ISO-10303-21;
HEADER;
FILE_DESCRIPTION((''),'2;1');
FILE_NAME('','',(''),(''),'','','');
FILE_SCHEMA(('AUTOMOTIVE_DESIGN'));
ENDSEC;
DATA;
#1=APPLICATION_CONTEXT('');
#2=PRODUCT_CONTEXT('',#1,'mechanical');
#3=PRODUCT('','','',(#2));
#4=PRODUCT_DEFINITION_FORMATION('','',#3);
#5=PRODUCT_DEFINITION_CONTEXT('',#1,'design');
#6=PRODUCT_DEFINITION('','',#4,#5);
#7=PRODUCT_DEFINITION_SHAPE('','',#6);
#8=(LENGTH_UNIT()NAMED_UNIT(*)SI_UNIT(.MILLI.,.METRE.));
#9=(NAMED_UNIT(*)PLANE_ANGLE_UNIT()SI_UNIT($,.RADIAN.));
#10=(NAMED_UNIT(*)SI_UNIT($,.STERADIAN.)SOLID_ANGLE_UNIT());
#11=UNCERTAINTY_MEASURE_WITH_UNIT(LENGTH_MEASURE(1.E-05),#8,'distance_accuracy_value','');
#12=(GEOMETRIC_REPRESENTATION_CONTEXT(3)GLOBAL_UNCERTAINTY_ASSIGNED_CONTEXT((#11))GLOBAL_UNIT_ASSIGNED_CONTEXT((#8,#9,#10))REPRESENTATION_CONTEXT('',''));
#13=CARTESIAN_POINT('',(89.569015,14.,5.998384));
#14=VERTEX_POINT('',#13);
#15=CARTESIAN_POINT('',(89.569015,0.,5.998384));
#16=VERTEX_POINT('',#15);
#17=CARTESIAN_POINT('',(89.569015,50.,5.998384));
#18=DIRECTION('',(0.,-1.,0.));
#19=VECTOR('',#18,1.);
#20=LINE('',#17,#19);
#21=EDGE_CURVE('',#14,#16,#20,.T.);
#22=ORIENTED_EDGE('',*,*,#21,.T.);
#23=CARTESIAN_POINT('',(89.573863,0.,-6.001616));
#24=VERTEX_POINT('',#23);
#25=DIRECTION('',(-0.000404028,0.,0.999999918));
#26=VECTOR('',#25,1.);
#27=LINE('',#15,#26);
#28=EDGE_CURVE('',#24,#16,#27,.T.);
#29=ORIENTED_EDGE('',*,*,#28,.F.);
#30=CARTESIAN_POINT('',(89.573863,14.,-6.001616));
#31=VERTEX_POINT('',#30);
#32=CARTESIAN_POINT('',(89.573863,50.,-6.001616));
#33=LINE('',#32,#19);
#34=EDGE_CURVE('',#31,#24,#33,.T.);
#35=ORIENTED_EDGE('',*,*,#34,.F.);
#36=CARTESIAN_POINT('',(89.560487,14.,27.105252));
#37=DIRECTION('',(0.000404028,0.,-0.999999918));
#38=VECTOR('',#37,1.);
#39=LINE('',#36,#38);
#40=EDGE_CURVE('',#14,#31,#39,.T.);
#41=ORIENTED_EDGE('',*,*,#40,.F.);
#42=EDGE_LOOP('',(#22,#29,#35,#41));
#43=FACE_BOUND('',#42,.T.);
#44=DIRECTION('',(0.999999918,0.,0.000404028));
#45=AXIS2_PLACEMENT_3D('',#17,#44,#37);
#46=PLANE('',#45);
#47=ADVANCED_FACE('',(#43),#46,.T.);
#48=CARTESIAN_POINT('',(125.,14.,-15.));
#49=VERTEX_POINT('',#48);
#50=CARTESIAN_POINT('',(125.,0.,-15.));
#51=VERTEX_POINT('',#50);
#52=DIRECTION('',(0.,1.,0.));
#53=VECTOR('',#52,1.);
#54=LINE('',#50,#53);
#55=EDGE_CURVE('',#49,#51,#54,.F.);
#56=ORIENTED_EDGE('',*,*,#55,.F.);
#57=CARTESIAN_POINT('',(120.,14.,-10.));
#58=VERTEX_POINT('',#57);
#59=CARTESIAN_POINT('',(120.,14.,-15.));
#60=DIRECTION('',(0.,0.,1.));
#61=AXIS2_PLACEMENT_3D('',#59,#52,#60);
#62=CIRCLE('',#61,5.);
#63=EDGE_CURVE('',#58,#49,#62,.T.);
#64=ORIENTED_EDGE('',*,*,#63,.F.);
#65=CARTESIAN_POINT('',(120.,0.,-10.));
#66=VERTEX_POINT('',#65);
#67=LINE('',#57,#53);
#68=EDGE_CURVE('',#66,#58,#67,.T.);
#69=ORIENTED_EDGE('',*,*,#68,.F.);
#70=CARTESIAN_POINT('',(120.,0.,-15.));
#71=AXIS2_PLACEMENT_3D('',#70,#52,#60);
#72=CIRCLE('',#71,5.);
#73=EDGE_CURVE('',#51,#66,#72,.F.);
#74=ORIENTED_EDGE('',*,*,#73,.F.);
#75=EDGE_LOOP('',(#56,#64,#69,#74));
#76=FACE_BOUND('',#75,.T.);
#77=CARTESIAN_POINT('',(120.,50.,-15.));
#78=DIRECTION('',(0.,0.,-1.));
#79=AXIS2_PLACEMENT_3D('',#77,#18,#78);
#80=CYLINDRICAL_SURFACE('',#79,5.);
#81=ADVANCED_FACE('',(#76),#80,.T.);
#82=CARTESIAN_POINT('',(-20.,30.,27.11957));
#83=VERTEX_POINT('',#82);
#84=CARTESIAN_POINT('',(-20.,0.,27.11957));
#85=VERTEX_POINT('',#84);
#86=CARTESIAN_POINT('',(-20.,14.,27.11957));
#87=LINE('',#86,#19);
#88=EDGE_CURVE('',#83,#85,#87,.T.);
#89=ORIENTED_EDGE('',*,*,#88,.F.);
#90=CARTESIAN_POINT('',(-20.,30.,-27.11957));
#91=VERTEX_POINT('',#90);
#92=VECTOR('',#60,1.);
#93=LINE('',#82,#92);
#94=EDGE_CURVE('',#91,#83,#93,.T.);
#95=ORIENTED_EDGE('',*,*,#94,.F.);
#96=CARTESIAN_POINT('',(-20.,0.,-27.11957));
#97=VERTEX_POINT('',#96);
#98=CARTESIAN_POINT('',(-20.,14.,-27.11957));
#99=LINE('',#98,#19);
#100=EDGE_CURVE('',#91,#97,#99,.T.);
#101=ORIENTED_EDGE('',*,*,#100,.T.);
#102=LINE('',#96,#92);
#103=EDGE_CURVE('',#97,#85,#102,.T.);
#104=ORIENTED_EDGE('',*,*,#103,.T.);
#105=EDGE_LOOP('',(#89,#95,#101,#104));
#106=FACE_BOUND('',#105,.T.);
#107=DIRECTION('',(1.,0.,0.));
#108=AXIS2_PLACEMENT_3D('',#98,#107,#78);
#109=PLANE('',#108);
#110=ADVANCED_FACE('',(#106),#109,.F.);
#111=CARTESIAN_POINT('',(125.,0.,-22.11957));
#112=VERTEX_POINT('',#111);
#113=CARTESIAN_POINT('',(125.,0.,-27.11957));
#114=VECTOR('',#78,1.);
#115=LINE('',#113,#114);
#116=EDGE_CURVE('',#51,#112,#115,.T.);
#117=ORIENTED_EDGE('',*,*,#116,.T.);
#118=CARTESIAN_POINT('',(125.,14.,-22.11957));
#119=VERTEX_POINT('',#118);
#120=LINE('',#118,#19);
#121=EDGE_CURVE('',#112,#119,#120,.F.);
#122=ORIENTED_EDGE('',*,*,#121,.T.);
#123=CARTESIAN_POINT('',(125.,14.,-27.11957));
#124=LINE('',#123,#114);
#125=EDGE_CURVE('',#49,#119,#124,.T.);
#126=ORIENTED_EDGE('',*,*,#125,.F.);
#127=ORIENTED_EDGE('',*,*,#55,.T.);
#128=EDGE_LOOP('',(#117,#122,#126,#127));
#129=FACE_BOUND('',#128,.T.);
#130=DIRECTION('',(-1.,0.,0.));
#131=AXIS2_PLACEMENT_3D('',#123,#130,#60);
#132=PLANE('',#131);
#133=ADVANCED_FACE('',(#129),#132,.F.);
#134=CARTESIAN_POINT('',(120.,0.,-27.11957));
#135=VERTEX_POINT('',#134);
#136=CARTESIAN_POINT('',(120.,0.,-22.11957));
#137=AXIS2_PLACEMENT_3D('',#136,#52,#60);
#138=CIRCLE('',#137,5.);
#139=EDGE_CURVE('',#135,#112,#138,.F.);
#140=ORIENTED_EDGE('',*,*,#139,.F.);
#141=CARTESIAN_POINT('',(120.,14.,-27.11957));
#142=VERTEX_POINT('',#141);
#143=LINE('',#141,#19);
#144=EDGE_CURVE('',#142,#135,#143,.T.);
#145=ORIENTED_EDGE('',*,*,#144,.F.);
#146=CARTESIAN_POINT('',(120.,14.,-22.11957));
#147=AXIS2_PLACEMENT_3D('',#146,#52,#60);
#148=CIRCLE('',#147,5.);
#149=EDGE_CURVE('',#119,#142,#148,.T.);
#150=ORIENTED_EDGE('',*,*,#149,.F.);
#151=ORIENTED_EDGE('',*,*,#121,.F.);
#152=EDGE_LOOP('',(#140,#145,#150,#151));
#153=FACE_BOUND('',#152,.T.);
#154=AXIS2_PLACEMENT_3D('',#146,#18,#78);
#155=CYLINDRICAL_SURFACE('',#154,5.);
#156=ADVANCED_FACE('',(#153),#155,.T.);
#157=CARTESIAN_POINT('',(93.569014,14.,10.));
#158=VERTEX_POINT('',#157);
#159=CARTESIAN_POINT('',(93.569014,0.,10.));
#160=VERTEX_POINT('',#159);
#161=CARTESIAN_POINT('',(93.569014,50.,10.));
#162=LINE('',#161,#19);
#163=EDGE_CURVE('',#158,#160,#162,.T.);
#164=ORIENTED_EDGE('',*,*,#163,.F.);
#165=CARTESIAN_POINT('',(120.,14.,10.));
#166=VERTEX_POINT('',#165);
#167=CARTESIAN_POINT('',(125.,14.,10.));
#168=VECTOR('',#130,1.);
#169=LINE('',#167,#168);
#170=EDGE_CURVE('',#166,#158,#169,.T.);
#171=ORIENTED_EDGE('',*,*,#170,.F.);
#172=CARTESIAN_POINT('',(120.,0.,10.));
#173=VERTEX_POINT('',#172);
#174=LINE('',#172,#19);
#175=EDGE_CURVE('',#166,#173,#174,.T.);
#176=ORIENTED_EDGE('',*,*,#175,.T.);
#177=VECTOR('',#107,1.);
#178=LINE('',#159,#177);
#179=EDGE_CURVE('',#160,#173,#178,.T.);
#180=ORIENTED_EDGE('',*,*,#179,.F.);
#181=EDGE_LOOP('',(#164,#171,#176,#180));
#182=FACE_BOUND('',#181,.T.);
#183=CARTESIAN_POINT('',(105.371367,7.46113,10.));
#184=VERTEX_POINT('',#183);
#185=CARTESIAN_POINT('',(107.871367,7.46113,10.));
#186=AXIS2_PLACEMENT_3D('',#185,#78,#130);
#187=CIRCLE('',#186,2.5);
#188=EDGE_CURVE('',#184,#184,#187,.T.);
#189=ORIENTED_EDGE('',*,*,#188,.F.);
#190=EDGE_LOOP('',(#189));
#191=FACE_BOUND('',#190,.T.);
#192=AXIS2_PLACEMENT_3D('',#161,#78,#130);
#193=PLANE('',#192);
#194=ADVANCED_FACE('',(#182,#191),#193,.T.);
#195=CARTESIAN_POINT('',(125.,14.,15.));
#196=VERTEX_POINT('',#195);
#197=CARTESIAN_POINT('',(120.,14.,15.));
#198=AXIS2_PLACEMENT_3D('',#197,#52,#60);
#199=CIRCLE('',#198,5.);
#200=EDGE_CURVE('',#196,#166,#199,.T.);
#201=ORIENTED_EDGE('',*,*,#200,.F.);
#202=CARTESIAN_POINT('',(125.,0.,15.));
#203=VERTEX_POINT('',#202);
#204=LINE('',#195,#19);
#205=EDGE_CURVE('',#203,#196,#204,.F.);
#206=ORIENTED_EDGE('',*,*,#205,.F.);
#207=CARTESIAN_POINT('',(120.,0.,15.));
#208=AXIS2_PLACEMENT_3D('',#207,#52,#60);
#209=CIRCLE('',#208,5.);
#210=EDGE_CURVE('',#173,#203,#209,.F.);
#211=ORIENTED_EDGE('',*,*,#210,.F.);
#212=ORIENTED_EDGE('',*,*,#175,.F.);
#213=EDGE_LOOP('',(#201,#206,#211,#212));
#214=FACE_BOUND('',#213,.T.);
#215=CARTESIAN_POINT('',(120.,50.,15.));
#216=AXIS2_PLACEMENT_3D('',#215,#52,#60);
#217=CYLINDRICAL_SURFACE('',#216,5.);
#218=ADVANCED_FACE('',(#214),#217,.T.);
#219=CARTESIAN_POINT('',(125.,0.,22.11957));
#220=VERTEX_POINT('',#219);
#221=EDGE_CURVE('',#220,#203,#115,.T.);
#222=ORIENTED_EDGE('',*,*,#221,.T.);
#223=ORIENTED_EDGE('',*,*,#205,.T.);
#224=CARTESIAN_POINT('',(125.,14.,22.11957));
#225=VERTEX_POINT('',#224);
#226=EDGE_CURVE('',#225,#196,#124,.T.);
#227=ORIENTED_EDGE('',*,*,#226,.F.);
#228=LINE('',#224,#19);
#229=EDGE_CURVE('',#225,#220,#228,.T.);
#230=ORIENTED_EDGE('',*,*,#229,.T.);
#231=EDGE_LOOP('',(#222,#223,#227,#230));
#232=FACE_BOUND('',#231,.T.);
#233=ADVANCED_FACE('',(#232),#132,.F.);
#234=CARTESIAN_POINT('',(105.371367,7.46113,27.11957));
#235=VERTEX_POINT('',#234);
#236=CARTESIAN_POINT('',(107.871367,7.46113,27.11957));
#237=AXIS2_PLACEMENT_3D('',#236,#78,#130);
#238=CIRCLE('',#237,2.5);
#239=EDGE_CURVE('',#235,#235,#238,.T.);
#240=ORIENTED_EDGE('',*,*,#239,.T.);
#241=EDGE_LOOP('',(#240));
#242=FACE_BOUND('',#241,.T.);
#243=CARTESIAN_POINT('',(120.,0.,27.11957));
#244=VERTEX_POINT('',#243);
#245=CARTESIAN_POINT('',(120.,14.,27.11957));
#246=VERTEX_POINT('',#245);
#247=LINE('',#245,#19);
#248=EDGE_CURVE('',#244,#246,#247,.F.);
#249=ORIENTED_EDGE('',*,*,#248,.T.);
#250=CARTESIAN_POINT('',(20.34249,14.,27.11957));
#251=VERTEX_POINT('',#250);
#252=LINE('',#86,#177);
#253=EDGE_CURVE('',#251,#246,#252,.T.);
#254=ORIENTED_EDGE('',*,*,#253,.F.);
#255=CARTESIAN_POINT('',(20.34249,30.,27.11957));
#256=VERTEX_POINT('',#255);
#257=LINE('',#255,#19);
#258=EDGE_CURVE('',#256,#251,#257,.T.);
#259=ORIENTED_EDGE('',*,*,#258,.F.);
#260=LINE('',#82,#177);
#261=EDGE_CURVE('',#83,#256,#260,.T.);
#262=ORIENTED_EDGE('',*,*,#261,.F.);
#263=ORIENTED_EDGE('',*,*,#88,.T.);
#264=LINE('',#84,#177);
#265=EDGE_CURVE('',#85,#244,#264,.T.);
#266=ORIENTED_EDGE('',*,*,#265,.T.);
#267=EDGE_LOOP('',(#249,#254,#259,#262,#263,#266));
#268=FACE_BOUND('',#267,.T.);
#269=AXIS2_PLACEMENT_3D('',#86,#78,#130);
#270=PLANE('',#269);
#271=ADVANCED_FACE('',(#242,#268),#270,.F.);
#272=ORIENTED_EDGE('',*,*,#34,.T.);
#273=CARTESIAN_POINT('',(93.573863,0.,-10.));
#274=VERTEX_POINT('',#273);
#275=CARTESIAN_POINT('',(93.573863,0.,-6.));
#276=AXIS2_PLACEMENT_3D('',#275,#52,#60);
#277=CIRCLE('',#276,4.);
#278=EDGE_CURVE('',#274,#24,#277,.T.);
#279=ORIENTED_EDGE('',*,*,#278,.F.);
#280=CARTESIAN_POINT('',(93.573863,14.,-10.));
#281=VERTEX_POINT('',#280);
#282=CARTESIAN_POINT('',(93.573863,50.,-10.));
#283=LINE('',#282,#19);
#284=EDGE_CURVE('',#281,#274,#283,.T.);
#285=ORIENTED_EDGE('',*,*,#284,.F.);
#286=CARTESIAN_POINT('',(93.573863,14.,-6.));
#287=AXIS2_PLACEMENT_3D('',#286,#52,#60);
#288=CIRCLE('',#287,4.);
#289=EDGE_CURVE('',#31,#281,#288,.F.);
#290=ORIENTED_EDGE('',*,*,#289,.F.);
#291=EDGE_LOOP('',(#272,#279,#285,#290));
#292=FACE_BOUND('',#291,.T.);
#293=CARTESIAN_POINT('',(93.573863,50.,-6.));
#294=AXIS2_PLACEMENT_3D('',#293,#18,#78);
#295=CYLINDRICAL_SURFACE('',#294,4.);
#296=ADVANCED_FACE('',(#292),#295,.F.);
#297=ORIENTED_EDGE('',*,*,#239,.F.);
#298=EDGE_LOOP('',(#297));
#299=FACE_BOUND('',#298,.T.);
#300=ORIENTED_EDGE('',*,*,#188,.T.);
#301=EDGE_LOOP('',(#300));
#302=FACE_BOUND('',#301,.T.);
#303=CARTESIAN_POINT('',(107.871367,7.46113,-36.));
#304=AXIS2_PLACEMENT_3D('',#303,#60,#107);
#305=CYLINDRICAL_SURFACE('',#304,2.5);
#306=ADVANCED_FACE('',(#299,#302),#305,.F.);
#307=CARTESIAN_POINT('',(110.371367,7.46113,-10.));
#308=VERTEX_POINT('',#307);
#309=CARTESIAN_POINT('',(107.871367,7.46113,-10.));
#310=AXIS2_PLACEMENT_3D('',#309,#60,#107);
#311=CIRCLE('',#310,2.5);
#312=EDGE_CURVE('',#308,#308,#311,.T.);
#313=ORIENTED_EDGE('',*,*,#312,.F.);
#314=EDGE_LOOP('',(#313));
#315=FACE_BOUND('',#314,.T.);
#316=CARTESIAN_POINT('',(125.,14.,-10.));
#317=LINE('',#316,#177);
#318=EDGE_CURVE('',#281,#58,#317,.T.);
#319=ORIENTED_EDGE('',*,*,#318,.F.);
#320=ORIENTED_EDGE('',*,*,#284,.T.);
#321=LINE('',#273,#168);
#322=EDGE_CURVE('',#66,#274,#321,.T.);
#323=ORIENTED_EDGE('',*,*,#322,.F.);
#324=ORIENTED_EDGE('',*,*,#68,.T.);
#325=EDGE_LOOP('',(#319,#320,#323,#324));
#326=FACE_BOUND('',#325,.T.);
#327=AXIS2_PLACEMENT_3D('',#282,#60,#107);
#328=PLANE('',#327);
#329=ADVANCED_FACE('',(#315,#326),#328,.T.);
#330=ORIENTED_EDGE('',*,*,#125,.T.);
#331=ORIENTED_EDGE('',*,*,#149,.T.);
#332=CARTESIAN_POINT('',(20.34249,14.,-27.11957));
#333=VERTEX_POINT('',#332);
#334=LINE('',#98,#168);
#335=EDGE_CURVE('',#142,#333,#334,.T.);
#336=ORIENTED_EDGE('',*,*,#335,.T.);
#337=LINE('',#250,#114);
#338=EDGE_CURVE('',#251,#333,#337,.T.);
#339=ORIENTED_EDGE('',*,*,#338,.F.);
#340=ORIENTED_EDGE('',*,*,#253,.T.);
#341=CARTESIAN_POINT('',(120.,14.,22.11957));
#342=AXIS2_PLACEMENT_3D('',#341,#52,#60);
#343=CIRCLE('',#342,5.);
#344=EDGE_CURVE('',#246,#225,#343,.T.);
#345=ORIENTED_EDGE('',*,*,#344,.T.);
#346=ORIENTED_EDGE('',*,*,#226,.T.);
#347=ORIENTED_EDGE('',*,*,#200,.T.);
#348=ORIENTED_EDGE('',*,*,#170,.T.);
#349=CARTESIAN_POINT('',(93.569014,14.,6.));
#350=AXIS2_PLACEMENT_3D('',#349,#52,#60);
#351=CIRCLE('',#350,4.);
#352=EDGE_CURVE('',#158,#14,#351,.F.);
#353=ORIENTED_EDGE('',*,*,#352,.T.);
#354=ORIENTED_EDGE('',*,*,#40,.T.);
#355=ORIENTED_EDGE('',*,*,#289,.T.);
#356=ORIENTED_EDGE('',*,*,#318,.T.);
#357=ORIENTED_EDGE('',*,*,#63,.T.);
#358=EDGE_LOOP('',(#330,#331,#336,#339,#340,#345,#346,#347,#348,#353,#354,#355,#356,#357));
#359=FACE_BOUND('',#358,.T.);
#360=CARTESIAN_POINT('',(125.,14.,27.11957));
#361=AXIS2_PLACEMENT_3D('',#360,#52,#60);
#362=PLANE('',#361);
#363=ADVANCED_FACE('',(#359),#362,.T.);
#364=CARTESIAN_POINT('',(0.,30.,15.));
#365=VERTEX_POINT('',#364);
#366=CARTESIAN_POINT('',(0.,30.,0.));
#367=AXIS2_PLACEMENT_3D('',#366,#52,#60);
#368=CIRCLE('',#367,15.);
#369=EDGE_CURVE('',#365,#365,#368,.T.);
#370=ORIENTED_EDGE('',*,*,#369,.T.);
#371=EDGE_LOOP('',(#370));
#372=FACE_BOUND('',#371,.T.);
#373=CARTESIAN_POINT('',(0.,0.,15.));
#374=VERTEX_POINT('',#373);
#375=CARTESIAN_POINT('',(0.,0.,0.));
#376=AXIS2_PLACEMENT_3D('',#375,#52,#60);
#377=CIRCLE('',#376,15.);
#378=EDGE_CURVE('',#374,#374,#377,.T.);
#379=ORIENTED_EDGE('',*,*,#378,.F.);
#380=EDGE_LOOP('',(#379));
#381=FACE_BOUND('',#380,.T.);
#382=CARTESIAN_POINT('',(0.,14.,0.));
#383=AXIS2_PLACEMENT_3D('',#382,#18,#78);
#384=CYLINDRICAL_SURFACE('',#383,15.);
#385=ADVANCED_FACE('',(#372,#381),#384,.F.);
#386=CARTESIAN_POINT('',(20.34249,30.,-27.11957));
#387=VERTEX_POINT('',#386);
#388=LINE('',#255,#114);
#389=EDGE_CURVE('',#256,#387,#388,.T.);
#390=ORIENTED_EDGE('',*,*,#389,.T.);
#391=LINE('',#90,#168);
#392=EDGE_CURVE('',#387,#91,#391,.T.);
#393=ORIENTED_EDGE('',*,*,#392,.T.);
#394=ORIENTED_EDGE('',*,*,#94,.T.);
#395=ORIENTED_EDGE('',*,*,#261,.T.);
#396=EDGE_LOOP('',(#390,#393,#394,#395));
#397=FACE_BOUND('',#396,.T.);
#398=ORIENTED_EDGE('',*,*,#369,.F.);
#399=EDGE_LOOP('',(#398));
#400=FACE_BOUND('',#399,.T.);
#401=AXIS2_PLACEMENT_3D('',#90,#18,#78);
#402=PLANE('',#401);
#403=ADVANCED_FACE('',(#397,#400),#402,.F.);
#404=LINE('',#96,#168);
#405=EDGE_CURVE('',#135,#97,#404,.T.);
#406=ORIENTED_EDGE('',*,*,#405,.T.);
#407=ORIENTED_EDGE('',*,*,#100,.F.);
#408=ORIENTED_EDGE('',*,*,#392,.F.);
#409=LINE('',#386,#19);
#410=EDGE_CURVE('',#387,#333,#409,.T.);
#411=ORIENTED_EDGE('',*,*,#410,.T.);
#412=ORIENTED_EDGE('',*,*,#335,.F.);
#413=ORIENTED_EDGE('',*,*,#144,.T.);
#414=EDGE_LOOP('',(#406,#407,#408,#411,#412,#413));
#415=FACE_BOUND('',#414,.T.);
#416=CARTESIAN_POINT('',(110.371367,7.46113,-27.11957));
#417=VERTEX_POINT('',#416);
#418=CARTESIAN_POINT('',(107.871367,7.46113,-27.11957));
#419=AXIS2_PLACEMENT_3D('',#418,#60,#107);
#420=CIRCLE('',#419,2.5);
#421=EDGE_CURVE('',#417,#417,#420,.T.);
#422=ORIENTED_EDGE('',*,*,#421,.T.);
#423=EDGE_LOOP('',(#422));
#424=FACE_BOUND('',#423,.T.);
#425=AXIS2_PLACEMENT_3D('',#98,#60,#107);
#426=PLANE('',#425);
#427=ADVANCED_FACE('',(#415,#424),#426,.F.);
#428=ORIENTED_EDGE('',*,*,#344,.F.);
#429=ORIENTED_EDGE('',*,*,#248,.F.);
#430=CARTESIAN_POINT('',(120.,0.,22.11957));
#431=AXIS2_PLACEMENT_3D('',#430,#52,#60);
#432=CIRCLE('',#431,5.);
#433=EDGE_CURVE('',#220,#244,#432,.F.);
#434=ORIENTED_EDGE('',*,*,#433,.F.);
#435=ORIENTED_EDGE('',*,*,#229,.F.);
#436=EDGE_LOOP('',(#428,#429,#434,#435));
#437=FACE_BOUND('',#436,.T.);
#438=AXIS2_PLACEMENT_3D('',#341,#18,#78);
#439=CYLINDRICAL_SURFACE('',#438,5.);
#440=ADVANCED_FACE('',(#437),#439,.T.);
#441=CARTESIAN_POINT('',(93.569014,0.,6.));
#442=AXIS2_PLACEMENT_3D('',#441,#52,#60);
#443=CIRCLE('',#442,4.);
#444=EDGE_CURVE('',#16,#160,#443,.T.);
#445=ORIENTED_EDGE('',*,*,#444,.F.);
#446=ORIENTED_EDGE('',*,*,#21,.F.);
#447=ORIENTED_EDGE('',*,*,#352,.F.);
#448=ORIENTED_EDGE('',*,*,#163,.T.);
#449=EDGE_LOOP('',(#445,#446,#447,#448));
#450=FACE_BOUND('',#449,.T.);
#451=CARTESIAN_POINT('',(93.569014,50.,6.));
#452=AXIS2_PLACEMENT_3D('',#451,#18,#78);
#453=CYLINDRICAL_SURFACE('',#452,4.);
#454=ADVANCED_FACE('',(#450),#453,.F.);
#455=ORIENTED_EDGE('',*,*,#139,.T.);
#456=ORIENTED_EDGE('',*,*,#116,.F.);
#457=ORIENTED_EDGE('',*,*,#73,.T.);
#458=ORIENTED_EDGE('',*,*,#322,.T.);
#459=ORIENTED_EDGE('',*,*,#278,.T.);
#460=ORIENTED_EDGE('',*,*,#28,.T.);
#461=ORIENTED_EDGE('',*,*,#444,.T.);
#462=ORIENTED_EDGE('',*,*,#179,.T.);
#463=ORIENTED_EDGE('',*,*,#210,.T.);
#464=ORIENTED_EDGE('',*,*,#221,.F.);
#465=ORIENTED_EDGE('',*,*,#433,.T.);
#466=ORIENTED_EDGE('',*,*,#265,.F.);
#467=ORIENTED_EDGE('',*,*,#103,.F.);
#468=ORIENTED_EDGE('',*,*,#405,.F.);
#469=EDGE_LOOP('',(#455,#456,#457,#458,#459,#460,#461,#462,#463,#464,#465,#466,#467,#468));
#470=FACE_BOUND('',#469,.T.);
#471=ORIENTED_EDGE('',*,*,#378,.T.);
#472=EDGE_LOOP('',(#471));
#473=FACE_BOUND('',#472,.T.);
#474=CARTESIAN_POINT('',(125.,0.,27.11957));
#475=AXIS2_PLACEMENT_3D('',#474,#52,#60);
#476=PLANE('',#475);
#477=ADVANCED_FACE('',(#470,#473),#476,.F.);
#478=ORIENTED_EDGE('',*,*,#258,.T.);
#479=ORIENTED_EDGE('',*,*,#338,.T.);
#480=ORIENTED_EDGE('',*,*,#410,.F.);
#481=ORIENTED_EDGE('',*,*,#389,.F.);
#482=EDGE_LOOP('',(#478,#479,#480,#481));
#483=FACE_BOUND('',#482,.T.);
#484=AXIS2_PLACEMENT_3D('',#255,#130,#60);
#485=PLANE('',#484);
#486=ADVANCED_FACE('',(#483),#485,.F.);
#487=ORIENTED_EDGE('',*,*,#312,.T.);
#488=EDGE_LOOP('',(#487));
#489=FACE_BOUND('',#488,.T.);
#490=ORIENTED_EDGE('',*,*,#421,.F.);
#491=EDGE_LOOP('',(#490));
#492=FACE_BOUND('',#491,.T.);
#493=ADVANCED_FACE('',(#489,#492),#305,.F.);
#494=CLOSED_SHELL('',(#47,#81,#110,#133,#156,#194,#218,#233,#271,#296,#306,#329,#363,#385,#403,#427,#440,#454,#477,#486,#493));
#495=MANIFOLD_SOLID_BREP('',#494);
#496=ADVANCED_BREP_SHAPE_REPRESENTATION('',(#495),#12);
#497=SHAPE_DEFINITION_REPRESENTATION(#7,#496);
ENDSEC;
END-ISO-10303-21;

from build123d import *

# Parameters (mm, degrees)
SKETCH_1_W          = 145
SKETCH_1_H          = 54.239140964
SKETCH_1_R          = 15
EXTRUDE_1_DEPTH     = 14
CUT_EXTRUDE_1_DEPTH = 50
FILLET_2_R          = 5
SKETCH_3_R          = 2.5
CUT_EXTRUDE_2_DEPTH = 36
SKETCH_4_W          = 40.34248958
SKETCH_4_H          = 54.239140964
SKETCH_4_R          = 15
EXTRUDE_2_DEPTH     = 16


with BuildPart() as part:
    # Эскиз1 → Вытянуть1 (new body)
    with BuildSketch(Plane(origin=(0, 0, 0), x_dir=(1, 0, 0), z_dir=(0, 1, 0))):
        with Locations((52.5, 0)):
            Rectangle(SKETCH_1_W, SKETCH_1_H)
        with Locations(Location((0, 0, 0), (0, 0, 270))):
            Circle(SKETCH_1_R, mode=Mode.SUBTRACT)
    extrude(amount=EXTRUDE_1_DEPTH)

    # Эскиз2 → Вырез-Вытянуть1 (cut)
    with BuildSketch(Plane(origin=(0, 0, 0), x_dir=(1, 0, 0), z_dir=(0, 1, 0))):
        with BuildLine():
            Line((93.569014329, -10), (130.542559867, -10))
            Line((130.542559867, -10), (130.542559867, 10))
            Line((130.542559867, 10), (93.573862666, 10))
            ThreePointArc((93.573862666, 10), (90.74600698, 8.828998449), (89.573862992, 6.001616112))
            Line((89.573862992, 6.001616112), (89.569014656, -5.998383888))
            ThreePointArc((89.569014656, -5.998383888), (90.74001588, -8.827855685), (93.569014329, -10))
        make_face()
    extrude(amount=CUT_EXTRUDE_1_DEPTH, mode=Mode.SUBTRACT)

    # Скругление2
    fillet_2_edges = [part.edges().sort_by_distance(p)[0] for p in [
        (125, 7, 10),
        (125, 7, -10),
        (125, 7, 27.119570482),
        (125, 7, -27.119570482),
    ]]
    fillet(fillet_2_edges, radius=FILLET_2_R)

    # Эскиз3 → Вырез-Вытянуть2 (cut, symmetric)
    with BuildSketch(Plane.XY):
        with Locations(Location((107.871367235, 7.461129595, 0), (0, 0, 180))):
            Circle(SKETCH_3_R)
    extrude(amount=CUT_EXTRUDE_2_DEPTH, both=True, mode=Mode.SUBTRACT)

    # Эскиз4 → Вытянуть2 (add)
    with BuildSketch(Plane(origin=(0, 14, 0), x_dir=(1, 0, 0), z_dir=(0, 1, 0))):
        with Locations((0.17124479, 0)):
            Rectangle(SKETCH_4_W, SKETCH_4_H)
        with Locations(Location((0, 0, 0), (0, 0, 270))):
            Circle(SKETCH_4_R, mode=Mode.SUBTRACT)
    extrude(amount=EXTRUDE_2_DEPTH)


solid = part.part
